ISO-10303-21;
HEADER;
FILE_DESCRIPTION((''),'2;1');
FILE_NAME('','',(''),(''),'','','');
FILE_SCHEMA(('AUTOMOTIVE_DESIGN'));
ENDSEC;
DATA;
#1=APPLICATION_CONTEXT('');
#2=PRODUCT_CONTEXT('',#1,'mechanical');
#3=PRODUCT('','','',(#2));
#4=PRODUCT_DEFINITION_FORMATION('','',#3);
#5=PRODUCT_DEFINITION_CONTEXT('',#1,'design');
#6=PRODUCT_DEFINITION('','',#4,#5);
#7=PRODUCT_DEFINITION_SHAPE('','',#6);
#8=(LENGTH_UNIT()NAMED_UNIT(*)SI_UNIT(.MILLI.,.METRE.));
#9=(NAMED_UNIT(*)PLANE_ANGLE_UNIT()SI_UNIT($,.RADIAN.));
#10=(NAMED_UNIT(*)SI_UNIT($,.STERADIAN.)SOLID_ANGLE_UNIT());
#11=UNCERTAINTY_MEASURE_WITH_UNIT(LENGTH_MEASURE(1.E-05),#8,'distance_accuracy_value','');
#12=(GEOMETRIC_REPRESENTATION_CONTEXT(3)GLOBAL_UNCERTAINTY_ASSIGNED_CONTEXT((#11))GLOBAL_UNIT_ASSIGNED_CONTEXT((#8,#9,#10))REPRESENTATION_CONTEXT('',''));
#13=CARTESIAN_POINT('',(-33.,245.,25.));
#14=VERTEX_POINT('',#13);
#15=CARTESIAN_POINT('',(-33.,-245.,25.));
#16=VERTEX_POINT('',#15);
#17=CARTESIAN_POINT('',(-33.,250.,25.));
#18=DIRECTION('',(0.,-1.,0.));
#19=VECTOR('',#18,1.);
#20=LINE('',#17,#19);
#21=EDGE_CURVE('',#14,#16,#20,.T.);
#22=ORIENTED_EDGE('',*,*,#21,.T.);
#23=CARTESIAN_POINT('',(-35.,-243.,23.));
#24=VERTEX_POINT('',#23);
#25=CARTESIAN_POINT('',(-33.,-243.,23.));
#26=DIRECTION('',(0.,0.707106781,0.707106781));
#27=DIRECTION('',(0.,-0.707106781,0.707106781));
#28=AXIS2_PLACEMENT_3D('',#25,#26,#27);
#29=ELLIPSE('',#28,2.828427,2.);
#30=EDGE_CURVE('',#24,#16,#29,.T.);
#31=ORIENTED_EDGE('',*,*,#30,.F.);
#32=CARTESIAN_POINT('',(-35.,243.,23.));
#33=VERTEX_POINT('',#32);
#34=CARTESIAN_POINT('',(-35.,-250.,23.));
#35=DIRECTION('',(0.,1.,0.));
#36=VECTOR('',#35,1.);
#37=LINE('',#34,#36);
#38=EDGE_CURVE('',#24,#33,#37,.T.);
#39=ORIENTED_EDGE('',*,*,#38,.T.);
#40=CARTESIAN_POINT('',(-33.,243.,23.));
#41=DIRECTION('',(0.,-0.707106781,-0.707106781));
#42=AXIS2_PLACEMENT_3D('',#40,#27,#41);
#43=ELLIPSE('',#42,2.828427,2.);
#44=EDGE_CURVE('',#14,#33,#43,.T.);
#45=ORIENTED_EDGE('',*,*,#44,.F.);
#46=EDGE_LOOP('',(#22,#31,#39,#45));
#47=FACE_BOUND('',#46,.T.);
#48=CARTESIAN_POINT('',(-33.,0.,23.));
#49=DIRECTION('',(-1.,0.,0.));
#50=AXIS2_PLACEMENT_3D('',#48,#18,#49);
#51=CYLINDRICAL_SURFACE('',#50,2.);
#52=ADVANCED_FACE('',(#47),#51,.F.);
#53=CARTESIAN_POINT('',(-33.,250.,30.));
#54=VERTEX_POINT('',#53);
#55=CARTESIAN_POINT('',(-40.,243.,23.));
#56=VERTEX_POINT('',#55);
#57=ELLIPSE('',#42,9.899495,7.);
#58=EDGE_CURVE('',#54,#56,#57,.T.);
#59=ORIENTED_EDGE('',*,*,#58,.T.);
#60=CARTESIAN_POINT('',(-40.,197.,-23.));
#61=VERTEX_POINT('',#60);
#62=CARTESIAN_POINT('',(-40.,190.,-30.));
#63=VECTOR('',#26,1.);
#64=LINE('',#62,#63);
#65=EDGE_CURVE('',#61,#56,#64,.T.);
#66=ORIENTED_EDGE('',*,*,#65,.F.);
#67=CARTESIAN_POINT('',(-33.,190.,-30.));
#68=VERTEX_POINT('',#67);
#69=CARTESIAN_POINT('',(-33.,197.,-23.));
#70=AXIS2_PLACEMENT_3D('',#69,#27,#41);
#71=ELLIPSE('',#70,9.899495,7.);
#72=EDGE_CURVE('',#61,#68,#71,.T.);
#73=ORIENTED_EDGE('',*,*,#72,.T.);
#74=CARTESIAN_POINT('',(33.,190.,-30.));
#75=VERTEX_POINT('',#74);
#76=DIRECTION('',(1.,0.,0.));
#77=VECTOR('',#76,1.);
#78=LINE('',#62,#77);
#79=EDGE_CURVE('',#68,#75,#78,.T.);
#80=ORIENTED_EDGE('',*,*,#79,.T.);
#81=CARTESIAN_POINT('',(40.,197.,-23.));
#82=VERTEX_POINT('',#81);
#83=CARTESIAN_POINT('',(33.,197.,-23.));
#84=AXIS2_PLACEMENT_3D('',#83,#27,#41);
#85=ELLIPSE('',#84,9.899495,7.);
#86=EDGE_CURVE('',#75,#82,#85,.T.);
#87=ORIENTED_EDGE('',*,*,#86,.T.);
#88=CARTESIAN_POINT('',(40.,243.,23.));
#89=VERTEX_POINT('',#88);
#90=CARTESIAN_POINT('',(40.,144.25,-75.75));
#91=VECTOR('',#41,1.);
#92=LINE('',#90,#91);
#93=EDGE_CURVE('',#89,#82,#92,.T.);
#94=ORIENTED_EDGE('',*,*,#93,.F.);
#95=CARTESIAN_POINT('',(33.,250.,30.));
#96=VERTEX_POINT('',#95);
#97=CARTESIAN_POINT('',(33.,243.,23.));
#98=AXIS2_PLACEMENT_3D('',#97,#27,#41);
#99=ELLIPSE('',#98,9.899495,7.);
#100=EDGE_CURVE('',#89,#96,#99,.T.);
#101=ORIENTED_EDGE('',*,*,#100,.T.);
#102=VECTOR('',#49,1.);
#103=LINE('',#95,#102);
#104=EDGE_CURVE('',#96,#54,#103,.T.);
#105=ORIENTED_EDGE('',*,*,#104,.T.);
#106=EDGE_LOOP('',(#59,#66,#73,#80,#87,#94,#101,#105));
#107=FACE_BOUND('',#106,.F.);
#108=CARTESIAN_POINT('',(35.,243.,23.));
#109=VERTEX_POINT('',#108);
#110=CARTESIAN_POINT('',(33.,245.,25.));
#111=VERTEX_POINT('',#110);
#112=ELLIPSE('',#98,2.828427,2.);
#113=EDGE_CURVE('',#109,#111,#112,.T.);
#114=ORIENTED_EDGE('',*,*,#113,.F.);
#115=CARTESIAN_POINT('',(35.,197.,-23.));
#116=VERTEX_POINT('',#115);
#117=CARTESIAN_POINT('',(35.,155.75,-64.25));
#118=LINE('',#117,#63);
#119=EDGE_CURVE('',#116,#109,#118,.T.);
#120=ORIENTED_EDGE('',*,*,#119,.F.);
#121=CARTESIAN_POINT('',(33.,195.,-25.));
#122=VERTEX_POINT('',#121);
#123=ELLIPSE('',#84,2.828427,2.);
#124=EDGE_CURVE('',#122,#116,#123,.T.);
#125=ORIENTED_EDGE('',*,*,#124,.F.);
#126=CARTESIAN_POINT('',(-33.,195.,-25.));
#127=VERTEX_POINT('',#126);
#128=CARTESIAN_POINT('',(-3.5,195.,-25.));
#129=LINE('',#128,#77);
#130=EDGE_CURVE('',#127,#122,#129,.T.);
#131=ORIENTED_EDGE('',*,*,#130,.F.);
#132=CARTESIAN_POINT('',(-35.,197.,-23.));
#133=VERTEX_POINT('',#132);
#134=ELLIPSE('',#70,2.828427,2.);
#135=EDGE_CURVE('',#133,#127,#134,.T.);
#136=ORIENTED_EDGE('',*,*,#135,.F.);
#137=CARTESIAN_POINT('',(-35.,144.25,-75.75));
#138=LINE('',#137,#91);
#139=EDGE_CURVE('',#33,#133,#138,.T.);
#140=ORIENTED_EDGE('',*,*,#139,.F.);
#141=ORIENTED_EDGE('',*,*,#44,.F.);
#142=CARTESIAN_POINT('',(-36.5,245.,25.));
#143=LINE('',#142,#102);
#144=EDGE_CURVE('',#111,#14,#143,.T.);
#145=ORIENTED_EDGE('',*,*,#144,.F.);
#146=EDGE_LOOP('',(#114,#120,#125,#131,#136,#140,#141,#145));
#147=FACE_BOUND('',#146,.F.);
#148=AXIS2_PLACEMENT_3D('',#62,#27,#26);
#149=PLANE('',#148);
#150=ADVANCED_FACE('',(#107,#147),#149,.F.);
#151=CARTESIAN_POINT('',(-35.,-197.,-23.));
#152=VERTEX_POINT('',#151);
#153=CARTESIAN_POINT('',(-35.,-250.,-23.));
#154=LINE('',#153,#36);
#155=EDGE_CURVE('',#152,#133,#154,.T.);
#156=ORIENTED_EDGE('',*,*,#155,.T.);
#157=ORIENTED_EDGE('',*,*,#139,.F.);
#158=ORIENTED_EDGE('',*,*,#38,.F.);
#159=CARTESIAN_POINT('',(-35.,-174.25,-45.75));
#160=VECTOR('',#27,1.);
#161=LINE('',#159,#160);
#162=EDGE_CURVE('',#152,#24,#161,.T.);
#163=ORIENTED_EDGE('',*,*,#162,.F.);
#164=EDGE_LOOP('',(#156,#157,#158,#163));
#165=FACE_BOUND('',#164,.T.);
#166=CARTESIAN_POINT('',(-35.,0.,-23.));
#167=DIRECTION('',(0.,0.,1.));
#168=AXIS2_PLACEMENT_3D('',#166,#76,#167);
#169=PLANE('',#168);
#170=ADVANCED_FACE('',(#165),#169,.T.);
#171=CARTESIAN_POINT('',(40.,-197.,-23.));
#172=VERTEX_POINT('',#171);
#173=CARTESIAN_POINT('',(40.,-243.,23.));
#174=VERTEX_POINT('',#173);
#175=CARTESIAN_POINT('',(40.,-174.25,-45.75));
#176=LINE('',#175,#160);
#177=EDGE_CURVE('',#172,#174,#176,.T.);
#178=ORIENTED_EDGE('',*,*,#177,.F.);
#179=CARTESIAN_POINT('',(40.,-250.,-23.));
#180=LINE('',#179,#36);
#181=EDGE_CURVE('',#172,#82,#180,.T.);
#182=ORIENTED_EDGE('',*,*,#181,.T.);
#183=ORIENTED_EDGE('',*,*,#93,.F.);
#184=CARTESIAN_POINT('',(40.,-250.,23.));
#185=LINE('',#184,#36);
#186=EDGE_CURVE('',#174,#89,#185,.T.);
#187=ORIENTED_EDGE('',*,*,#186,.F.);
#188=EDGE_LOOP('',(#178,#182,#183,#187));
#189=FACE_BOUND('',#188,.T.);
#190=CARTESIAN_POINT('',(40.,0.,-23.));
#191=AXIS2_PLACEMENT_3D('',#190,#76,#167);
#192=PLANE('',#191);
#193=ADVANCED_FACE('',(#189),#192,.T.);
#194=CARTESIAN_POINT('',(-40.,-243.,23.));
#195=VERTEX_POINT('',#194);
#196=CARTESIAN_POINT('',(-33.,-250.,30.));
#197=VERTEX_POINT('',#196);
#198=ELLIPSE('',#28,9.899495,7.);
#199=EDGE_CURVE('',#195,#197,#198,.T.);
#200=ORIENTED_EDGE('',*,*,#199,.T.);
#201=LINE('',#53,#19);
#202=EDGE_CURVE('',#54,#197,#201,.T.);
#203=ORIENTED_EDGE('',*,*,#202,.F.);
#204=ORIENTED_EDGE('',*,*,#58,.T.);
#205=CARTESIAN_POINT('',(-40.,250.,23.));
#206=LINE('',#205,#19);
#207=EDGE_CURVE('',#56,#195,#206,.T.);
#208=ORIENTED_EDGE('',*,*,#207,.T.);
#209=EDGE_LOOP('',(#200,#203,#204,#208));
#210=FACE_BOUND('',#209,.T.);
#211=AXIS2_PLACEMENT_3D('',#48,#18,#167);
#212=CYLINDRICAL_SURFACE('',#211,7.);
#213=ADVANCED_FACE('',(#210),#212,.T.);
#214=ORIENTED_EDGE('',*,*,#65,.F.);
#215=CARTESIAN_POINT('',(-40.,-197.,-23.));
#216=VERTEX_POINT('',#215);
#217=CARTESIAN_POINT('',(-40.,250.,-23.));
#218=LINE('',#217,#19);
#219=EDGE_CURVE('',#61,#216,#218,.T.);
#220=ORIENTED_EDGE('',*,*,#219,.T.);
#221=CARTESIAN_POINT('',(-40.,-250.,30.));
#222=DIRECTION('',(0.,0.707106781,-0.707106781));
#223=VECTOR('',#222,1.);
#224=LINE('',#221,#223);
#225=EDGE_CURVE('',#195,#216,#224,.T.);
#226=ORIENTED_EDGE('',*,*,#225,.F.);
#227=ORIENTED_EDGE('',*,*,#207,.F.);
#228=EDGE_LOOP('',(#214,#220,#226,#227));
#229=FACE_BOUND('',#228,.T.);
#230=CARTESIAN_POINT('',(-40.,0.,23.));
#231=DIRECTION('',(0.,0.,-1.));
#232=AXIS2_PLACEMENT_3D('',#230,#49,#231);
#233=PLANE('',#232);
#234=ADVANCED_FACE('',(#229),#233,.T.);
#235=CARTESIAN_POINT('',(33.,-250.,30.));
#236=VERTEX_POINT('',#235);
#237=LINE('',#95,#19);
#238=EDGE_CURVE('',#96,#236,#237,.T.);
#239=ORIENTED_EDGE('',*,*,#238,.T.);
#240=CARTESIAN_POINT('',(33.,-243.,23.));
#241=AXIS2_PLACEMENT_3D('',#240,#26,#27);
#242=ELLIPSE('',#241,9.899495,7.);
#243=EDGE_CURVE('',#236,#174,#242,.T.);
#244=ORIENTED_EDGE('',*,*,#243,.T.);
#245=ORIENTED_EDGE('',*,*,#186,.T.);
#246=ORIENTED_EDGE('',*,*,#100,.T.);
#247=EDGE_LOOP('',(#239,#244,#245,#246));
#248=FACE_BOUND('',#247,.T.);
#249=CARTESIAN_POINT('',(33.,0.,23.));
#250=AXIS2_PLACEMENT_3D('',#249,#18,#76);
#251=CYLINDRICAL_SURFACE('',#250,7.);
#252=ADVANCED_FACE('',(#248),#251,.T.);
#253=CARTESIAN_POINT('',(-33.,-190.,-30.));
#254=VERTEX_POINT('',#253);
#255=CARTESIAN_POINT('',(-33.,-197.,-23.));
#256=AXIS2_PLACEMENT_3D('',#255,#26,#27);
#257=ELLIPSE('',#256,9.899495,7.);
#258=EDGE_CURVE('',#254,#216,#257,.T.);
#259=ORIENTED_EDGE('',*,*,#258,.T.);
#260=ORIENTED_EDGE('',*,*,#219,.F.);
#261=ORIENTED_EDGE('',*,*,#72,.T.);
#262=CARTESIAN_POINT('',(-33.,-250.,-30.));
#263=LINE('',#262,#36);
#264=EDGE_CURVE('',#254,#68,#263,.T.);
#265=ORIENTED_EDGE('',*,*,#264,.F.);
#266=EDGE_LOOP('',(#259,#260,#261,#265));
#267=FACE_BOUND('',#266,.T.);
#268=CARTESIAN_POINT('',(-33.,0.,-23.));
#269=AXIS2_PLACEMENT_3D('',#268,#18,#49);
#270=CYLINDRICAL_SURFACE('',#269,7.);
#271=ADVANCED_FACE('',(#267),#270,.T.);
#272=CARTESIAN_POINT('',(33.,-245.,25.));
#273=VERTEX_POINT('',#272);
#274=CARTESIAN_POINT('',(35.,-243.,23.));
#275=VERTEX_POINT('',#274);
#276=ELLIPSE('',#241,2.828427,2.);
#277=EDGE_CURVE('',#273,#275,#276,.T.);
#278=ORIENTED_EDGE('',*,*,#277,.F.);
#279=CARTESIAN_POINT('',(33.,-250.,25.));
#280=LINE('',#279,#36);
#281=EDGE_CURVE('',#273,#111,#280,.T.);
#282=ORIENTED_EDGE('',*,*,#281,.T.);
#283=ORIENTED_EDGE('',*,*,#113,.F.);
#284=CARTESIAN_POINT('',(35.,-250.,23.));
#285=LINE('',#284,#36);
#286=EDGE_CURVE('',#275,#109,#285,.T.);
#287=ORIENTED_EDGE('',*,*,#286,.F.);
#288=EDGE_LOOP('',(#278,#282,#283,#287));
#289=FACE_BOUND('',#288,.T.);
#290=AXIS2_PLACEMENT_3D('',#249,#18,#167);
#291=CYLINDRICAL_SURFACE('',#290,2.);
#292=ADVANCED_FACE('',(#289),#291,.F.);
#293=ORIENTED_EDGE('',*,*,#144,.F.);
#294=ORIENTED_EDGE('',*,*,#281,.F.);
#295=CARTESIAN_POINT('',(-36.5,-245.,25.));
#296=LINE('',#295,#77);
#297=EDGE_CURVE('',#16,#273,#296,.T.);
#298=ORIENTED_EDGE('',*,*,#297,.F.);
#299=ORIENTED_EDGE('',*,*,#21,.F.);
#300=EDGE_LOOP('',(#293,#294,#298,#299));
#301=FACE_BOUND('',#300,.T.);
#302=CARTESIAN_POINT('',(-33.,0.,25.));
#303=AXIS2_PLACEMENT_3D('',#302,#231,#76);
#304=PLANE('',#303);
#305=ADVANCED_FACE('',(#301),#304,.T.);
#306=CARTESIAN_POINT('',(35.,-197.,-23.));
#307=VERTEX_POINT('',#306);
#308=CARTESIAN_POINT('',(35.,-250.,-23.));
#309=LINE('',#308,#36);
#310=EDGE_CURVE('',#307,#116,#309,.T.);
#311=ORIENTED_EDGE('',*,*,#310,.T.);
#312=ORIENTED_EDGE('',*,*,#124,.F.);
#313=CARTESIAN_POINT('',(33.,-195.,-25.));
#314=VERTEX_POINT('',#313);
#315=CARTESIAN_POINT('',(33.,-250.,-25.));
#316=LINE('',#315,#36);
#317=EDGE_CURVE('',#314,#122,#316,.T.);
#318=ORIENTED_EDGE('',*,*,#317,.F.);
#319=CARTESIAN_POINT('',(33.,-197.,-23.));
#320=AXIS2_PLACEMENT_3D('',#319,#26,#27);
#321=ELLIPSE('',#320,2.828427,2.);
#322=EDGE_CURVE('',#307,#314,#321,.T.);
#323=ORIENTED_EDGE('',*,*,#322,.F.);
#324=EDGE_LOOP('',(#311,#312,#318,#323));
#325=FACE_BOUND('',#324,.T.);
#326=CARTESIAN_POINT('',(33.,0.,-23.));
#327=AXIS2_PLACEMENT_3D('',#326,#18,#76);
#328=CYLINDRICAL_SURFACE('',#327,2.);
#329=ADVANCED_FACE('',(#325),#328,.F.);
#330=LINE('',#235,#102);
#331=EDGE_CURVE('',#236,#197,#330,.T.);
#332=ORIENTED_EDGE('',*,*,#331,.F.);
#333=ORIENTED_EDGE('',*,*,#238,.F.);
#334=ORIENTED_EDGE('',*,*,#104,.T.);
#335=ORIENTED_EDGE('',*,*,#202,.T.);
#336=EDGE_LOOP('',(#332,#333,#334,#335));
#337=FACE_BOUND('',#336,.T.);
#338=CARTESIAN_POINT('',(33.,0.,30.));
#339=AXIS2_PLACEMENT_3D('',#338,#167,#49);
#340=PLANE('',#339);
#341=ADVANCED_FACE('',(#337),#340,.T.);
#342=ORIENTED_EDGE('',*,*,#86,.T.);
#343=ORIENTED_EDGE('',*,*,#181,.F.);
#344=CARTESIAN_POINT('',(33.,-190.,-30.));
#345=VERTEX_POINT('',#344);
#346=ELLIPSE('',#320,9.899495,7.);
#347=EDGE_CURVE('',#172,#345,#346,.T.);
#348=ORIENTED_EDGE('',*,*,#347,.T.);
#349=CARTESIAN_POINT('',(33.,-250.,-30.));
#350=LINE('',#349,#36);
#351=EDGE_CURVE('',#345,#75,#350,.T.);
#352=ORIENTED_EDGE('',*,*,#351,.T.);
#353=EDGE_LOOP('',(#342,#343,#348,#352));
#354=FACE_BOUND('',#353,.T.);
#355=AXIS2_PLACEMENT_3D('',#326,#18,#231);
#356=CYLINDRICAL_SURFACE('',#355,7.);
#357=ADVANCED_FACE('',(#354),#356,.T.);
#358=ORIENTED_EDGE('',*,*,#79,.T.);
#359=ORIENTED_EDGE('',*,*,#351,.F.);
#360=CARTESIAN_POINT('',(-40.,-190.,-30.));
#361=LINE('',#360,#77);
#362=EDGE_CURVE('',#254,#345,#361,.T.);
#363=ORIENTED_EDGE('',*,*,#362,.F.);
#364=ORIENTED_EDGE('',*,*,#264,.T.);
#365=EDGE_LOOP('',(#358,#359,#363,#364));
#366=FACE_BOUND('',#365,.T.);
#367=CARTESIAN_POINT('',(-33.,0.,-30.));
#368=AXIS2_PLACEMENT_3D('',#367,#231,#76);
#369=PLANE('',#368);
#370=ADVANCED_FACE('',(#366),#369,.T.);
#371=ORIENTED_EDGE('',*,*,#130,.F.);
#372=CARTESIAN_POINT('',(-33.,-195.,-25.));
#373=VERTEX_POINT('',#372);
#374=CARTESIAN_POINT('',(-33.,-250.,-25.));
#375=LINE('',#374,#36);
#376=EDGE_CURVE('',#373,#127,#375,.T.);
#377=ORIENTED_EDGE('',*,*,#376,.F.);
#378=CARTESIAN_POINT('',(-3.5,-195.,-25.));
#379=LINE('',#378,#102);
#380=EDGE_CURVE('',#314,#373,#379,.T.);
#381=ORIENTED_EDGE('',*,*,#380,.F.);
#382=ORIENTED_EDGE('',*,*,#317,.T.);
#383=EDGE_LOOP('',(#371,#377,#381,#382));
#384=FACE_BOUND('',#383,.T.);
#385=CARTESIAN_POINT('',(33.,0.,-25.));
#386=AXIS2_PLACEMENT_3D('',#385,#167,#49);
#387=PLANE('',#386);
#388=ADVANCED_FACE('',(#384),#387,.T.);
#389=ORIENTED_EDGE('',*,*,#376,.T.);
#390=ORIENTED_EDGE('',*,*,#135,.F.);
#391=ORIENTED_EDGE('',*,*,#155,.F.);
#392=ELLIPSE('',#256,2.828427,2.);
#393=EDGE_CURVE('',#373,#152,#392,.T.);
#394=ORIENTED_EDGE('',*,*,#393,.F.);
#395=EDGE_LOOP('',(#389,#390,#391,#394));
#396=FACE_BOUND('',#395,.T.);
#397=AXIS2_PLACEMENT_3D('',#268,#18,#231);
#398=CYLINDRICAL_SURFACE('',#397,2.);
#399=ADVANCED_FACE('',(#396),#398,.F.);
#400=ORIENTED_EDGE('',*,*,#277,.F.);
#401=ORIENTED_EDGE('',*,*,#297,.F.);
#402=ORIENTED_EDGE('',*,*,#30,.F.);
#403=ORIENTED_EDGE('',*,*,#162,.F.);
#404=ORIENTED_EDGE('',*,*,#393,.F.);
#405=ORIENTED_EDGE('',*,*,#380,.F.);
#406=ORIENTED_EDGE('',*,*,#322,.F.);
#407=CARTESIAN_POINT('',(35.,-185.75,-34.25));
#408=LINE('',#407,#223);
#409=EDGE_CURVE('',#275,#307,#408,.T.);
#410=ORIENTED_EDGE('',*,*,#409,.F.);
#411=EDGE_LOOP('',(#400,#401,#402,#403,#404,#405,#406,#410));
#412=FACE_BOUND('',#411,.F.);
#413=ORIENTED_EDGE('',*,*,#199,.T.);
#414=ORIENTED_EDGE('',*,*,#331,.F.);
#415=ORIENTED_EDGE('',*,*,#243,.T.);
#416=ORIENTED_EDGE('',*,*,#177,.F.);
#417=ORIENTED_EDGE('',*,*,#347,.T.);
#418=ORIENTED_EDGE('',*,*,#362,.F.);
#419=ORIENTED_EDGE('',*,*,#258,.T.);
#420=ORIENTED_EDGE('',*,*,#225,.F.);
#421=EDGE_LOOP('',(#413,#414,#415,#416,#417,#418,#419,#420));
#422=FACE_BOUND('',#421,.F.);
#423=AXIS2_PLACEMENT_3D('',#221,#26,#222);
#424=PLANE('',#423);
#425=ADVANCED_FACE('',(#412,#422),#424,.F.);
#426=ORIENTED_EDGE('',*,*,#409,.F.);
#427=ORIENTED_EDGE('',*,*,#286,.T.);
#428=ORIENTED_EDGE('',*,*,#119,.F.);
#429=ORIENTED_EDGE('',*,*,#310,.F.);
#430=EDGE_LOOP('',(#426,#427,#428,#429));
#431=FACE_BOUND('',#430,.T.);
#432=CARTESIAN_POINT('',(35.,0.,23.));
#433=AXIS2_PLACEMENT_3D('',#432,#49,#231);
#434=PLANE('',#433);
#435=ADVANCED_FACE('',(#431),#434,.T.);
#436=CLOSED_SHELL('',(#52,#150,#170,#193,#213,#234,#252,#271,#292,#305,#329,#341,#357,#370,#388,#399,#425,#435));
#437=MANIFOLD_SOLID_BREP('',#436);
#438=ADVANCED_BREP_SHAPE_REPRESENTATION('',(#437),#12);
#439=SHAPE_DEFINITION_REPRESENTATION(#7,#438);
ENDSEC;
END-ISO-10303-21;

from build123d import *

# Parameters (mm, degrees)
F1_DEPTH = 250
F3_DEPTH = 200


with BuildPart() as f1:
    # F0 (on Front) → F1 (new body, symmetric)
    with BuildSketch(Plane.XZ):
        with BuildLine():
            ThreePointArc((40, 23), (37.9497474683, 27.9497474683), (33, 30))
            Line((33, 30), (-33, 30))
            ThreePointArc((-33, 30), (-37.9497474683, 27.9497474683), (-40, 23))
            Line((-40, 23), (-40, -23))
            ThreePointArc((-40, -23), (-37.9497474683, -27.9497474683), (-33, -30))
            Line((-33, -30), (33, -30))
            ThreePointArc((33, -30), (37.9497474683, -27.9497474683), (40, -23))
            Line((40, -23), (40, 23))
        make_face()
        with BuildLine():
            Line((-33, 25), (33, 25))
            ThreePointArc((33, 25), (34.4142135624, 24.4142135624), (35, 23))
            Line((35, 23), (35, -23))
            ThreePointArc((35, -23), (34.4142135624, -24.4142135624), (33, -25))
            Line((33, -25), (-33, -25))
            ThreePointArc((-33, -25), (-34.4142135624, -24.4142135624), (-35, -23))
            Line((-35, -23), (-35, 23))
            ThreePointArc((-35, 23), (-34.4142135624, 24.4142135624), (-33, 25))
        make_face(mode=Mode.SUBTRACT)
    extrude(amount=F1_DEPTH, both=True)

    # F2 (on face) → F3 (cut)
    with BuildSketch(Plane(origin=(-40, 0, 0), x_dir=(0, -1, 0), z_dir=(-1, 0, 0))):
        Polygon((-250, -30), (-190, -30), (-197, -23), (-250, -23), align=None)
        Polygon((-250, -23), (-197, -23), (-243, 23), (-250, 23), align=None)
        Polygon((-250, 23), (-243, 23), (-250, 30), align=None)
        Polygon((243, 23), (197, -23), (250, -23), (250, 23), align=None)
        Polygon((250, -23), (197, -23), (190, -30), (250, -30), align=None)
        Polygon((250, 30), (243, 23), (250, 23), align=None)
    extrude(amount=-F3_DEPTH, mode=Mode.SUBTRACT)


solid = f1.part
